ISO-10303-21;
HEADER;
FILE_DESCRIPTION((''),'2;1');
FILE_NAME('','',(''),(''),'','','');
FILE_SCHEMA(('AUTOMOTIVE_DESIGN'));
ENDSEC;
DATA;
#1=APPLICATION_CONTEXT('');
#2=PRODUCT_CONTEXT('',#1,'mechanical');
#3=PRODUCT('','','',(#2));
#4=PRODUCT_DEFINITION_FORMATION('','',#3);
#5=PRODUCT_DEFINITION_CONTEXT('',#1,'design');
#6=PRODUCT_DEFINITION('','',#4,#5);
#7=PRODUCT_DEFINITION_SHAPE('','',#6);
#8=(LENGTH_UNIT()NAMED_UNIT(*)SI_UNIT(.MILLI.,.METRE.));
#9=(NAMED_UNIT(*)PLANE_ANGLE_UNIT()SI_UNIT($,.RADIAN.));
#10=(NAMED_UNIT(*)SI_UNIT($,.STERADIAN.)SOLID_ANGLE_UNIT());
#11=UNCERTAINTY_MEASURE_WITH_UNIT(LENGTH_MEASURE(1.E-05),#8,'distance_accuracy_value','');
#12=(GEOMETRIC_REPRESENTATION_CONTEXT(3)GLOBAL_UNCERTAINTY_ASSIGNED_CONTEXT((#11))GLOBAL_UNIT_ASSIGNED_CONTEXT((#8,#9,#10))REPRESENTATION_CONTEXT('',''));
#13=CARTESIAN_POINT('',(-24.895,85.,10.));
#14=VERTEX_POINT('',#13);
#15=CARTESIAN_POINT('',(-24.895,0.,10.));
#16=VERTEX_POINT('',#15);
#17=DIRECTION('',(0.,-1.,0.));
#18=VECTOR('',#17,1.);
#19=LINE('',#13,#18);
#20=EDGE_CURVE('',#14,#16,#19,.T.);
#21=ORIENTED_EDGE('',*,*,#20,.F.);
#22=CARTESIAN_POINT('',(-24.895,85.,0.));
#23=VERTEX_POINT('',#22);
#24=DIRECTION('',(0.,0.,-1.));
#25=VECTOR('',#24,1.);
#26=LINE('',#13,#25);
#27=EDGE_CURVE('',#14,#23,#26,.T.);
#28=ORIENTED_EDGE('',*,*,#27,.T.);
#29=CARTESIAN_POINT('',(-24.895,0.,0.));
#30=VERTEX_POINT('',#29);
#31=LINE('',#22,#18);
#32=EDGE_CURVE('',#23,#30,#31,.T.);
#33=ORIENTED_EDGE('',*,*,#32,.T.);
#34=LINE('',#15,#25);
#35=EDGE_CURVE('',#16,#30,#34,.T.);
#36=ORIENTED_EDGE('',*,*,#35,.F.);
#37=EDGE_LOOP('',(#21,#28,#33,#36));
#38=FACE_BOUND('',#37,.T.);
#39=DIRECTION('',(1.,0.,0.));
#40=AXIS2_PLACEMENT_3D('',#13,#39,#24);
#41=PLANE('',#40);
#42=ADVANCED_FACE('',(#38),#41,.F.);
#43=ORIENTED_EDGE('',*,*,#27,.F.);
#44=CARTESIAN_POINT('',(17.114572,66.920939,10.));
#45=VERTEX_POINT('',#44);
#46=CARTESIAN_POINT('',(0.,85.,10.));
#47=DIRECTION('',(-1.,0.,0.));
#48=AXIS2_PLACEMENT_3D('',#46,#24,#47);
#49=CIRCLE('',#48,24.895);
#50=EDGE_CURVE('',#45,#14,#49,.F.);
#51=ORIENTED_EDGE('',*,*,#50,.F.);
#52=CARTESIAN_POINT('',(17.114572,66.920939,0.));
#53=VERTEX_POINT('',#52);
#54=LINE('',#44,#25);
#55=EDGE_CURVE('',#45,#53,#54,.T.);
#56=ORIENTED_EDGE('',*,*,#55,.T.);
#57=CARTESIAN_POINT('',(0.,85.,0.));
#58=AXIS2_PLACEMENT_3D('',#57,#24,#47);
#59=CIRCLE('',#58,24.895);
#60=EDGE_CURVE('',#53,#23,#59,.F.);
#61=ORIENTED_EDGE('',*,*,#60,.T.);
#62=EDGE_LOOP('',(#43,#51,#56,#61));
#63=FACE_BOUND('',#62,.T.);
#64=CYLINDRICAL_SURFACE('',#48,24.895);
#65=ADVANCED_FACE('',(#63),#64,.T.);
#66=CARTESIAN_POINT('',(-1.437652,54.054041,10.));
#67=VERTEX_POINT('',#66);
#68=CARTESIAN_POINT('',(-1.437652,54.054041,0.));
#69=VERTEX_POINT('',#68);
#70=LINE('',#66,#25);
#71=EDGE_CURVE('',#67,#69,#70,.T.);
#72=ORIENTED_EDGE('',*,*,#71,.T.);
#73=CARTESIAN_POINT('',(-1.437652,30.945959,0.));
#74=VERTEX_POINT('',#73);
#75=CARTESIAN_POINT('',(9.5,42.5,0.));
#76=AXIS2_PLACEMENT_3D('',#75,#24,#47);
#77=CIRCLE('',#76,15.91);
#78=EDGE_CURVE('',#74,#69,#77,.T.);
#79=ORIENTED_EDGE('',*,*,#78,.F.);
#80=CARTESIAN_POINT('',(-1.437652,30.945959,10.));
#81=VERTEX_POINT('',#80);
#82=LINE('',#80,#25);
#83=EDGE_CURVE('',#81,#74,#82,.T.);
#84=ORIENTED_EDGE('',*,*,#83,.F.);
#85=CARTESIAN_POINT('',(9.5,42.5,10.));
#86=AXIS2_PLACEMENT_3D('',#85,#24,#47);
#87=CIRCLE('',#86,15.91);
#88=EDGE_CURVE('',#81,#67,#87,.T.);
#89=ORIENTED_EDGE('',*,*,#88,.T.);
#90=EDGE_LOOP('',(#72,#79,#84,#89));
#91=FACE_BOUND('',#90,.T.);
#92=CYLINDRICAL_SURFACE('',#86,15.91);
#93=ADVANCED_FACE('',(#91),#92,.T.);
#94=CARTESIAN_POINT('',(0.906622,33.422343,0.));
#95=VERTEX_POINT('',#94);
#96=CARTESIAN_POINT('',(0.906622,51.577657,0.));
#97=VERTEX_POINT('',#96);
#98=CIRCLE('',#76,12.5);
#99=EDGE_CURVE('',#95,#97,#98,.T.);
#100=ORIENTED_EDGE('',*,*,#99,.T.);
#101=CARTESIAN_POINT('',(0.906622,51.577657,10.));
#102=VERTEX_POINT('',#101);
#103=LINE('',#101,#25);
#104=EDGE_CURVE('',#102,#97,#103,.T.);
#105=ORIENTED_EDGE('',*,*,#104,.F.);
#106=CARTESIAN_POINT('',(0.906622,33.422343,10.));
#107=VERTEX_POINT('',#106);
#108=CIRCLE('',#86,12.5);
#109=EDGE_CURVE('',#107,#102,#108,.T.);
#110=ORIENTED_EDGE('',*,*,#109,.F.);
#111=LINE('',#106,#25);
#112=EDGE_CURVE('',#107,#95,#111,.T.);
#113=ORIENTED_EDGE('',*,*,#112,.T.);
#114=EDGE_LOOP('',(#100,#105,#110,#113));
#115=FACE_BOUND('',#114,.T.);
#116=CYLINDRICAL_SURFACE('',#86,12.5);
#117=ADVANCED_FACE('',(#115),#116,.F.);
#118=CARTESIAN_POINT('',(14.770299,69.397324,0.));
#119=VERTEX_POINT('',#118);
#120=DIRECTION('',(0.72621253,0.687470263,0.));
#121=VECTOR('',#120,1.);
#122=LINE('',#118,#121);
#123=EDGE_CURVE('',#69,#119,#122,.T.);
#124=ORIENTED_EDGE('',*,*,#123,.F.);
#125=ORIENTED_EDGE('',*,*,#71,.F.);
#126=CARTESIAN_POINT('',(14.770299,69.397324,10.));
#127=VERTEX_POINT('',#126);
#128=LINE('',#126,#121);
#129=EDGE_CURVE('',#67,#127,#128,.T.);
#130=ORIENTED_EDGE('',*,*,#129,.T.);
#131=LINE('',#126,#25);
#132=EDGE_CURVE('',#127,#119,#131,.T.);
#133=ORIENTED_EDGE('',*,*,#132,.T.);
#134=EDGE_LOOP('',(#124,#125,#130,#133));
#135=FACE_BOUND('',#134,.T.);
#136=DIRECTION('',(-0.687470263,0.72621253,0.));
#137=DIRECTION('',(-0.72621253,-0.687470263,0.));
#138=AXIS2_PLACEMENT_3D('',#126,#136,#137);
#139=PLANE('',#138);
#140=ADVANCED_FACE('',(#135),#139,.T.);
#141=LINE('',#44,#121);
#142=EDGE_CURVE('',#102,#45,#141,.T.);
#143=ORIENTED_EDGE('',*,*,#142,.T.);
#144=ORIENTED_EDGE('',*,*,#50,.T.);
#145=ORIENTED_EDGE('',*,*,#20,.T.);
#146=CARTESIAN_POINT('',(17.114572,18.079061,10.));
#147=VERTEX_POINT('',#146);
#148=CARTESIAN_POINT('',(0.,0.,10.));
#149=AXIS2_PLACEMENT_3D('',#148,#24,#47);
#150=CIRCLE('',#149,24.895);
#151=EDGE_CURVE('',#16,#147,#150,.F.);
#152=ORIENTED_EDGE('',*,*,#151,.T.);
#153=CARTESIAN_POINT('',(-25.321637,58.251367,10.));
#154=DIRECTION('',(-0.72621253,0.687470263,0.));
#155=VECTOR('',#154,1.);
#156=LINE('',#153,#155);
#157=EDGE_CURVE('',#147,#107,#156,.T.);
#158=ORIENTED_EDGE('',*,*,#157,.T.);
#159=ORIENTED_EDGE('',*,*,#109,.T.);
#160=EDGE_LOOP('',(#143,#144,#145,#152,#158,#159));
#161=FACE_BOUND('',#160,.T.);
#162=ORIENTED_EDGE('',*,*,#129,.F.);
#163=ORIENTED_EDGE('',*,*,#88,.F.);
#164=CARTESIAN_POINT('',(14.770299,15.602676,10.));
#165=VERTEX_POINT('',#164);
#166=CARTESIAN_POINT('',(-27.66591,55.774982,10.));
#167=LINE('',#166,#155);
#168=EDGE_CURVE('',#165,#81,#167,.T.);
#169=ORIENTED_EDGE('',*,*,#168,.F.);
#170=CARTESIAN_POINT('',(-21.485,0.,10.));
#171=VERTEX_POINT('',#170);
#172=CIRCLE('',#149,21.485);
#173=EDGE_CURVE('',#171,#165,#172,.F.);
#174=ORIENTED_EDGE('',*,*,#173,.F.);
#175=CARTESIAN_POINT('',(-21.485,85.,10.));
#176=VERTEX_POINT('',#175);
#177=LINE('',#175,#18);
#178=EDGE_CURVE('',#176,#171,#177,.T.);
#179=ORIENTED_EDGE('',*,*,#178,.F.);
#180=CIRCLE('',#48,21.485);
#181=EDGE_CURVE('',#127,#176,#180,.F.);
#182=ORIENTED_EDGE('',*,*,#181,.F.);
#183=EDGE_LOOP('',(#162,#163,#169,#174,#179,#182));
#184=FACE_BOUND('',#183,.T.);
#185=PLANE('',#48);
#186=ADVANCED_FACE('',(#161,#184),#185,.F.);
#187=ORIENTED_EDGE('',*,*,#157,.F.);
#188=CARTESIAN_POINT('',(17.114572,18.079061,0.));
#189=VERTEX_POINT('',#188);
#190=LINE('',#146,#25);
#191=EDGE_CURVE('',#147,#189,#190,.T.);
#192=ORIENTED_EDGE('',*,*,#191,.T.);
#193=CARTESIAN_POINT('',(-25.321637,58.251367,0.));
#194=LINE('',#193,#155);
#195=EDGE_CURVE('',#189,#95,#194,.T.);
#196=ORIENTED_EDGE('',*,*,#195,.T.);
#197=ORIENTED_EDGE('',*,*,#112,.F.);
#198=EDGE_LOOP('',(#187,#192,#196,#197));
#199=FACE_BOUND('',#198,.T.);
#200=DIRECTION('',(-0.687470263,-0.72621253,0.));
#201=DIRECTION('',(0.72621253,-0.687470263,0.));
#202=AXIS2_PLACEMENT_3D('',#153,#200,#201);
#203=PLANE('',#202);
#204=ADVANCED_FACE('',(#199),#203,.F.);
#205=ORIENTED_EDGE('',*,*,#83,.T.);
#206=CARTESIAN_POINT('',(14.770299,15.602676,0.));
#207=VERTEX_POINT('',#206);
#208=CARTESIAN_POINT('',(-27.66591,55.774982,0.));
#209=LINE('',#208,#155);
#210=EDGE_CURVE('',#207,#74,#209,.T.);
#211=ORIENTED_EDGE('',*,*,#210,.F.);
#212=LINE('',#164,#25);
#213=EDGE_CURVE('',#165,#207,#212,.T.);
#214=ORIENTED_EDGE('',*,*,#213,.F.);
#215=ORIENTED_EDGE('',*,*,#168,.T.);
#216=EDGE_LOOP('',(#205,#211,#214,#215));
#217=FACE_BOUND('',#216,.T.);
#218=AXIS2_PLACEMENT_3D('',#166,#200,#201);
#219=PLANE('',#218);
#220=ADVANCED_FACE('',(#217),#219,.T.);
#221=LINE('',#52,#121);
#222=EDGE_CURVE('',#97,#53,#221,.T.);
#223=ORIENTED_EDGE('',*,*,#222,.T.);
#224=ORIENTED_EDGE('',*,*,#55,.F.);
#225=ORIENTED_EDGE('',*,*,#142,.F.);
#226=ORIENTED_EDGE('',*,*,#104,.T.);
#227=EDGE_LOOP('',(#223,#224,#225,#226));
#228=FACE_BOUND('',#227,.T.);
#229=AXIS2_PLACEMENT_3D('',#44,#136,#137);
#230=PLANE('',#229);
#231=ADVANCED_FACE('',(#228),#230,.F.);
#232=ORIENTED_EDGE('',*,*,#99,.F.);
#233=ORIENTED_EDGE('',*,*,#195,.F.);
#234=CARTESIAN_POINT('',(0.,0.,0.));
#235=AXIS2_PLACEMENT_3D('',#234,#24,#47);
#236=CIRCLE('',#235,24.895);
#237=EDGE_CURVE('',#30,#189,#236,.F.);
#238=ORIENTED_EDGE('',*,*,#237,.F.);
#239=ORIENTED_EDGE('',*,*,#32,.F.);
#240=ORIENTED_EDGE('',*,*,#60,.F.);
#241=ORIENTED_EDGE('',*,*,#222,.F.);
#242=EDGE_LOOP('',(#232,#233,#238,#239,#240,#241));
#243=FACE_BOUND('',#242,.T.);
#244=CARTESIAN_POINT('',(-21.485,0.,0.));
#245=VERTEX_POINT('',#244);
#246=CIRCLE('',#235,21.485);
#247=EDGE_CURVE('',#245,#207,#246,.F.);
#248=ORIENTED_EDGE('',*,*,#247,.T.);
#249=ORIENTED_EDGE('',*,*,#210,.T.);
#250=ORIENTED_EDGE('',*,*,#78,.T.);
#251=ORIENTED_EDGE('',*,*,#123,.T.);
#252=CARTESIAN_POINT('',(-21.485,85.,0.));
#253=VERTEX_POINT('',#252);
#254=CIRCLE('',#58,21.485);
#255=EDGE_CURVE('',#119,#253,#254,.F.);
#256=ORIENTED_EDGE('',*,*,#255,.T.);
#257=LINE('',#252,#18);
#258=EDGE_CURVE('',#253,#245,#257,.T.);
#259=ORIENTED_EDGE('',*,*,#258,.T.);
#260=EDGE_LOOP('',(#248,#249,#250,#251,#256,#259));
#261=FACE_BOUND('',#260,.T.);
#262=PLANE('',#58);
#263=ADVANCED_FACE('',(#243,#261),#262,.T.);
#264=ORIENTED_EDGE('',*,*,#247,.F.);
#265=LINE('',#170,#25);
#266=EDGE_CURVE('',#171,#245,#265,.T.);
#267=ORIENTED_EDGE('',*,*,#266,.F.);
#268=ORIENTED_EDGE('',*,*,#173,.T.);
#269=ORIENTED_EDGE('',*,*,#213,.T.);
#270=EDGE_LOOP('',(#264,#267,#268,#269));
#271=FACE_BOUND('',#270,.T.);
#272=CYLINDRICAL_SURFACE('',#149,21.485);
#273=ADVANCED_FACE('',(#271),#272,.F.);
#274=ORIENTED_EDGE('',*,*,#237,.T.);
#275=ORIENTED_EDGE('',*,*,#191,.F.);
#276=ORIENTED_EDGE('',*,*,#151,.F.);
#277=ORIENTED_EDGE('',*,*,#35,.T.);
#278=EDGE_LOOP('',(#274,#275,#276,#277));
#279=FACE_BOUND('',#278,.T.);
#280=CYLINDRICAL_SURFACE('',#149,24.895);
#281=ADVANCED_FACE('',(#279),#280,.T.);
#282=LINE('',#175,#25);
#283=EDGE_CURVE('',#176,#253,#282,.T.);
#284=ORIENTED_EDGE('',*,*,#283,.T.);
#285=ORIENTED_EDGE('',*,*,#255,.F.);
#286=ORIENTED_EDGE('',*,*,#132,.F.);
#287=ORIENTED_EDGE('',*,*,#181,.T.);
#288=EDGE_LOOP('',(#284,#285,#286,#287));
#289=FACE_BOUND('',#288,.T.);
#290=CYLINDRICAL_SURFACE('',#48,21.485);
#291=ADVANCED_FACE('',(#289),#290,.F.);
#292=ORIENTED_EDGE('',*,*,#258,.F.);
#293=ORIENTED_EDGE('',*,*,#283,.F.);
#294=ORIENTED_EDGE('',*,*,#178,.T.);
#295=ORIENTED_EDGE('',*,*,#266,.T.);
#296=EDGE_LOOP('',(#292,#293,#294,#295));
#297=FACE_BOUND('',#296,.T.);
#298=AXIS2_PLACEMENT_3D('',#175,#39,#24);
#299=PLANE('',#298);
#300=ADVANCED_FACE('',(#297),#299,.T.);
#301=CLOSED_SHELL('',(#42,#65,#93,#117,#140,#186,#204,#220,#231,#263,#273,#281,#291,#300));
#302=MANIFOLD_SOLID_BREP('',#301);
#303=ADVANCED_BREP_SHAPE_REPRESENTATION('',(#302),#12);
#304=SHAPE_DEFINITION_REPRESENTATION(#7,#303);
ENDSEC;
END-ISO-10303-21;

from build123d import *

# Parameters (mm, degrees)
EXTRUDE_1_DEPTH = 10


with BuildPart() as part:
    # ｽｹｯﾁ1 → 押し出し-薄板1 (new body)
    with BuildSketch(Plane.XY):
        with BuildLine():
            Line((0.906621718, 51.577656619), (17.114572187, 66.920939077))
            ThreePointArc((17.114572187, 66.920939077), (9.841080998, 107.867316191), (-24.895, 85))
            Line((-24.895, 85), (-24.895, 0))
            ThreePointArc((-24.895, 0), (9.841080998, -22.867316191), (17.114572187, 18.079060923))
            Line((17.114572187, 18.079060923), (0.906621718, 33.422343381))
            ThreePointArc((0.906621718, 33.422343381), (-3, 42.5), (0.906621718, 51.577656619))
        make_face()
        with BuildLine():
            Line((-1.437651878, 54.054041345), (14.770298592, 69.397323803))
            ThreePointArc((14.770298592, 69.397323803), (8.493096013, 104.735058782), (-21.485, 85))
            Line((-21.485, 85), (-21.485, 0))
            ThreePointArc((-21.485, 0), (8.493096013, -19.735058782), (14.770298592, 15.602676197))
            Line((14.770298592, 15.602676197), (-1.437651878, 30.945958655))
            ThreePointArc((-1.437651878, 30.945958655), (-6.41, 42.5), (-1.437651878, 54.054041345))
        make_face(mode=Mode.SUBTRACT)
    extrude(amount=EXTRUDE_1_DEPTH)


solid = part.part
